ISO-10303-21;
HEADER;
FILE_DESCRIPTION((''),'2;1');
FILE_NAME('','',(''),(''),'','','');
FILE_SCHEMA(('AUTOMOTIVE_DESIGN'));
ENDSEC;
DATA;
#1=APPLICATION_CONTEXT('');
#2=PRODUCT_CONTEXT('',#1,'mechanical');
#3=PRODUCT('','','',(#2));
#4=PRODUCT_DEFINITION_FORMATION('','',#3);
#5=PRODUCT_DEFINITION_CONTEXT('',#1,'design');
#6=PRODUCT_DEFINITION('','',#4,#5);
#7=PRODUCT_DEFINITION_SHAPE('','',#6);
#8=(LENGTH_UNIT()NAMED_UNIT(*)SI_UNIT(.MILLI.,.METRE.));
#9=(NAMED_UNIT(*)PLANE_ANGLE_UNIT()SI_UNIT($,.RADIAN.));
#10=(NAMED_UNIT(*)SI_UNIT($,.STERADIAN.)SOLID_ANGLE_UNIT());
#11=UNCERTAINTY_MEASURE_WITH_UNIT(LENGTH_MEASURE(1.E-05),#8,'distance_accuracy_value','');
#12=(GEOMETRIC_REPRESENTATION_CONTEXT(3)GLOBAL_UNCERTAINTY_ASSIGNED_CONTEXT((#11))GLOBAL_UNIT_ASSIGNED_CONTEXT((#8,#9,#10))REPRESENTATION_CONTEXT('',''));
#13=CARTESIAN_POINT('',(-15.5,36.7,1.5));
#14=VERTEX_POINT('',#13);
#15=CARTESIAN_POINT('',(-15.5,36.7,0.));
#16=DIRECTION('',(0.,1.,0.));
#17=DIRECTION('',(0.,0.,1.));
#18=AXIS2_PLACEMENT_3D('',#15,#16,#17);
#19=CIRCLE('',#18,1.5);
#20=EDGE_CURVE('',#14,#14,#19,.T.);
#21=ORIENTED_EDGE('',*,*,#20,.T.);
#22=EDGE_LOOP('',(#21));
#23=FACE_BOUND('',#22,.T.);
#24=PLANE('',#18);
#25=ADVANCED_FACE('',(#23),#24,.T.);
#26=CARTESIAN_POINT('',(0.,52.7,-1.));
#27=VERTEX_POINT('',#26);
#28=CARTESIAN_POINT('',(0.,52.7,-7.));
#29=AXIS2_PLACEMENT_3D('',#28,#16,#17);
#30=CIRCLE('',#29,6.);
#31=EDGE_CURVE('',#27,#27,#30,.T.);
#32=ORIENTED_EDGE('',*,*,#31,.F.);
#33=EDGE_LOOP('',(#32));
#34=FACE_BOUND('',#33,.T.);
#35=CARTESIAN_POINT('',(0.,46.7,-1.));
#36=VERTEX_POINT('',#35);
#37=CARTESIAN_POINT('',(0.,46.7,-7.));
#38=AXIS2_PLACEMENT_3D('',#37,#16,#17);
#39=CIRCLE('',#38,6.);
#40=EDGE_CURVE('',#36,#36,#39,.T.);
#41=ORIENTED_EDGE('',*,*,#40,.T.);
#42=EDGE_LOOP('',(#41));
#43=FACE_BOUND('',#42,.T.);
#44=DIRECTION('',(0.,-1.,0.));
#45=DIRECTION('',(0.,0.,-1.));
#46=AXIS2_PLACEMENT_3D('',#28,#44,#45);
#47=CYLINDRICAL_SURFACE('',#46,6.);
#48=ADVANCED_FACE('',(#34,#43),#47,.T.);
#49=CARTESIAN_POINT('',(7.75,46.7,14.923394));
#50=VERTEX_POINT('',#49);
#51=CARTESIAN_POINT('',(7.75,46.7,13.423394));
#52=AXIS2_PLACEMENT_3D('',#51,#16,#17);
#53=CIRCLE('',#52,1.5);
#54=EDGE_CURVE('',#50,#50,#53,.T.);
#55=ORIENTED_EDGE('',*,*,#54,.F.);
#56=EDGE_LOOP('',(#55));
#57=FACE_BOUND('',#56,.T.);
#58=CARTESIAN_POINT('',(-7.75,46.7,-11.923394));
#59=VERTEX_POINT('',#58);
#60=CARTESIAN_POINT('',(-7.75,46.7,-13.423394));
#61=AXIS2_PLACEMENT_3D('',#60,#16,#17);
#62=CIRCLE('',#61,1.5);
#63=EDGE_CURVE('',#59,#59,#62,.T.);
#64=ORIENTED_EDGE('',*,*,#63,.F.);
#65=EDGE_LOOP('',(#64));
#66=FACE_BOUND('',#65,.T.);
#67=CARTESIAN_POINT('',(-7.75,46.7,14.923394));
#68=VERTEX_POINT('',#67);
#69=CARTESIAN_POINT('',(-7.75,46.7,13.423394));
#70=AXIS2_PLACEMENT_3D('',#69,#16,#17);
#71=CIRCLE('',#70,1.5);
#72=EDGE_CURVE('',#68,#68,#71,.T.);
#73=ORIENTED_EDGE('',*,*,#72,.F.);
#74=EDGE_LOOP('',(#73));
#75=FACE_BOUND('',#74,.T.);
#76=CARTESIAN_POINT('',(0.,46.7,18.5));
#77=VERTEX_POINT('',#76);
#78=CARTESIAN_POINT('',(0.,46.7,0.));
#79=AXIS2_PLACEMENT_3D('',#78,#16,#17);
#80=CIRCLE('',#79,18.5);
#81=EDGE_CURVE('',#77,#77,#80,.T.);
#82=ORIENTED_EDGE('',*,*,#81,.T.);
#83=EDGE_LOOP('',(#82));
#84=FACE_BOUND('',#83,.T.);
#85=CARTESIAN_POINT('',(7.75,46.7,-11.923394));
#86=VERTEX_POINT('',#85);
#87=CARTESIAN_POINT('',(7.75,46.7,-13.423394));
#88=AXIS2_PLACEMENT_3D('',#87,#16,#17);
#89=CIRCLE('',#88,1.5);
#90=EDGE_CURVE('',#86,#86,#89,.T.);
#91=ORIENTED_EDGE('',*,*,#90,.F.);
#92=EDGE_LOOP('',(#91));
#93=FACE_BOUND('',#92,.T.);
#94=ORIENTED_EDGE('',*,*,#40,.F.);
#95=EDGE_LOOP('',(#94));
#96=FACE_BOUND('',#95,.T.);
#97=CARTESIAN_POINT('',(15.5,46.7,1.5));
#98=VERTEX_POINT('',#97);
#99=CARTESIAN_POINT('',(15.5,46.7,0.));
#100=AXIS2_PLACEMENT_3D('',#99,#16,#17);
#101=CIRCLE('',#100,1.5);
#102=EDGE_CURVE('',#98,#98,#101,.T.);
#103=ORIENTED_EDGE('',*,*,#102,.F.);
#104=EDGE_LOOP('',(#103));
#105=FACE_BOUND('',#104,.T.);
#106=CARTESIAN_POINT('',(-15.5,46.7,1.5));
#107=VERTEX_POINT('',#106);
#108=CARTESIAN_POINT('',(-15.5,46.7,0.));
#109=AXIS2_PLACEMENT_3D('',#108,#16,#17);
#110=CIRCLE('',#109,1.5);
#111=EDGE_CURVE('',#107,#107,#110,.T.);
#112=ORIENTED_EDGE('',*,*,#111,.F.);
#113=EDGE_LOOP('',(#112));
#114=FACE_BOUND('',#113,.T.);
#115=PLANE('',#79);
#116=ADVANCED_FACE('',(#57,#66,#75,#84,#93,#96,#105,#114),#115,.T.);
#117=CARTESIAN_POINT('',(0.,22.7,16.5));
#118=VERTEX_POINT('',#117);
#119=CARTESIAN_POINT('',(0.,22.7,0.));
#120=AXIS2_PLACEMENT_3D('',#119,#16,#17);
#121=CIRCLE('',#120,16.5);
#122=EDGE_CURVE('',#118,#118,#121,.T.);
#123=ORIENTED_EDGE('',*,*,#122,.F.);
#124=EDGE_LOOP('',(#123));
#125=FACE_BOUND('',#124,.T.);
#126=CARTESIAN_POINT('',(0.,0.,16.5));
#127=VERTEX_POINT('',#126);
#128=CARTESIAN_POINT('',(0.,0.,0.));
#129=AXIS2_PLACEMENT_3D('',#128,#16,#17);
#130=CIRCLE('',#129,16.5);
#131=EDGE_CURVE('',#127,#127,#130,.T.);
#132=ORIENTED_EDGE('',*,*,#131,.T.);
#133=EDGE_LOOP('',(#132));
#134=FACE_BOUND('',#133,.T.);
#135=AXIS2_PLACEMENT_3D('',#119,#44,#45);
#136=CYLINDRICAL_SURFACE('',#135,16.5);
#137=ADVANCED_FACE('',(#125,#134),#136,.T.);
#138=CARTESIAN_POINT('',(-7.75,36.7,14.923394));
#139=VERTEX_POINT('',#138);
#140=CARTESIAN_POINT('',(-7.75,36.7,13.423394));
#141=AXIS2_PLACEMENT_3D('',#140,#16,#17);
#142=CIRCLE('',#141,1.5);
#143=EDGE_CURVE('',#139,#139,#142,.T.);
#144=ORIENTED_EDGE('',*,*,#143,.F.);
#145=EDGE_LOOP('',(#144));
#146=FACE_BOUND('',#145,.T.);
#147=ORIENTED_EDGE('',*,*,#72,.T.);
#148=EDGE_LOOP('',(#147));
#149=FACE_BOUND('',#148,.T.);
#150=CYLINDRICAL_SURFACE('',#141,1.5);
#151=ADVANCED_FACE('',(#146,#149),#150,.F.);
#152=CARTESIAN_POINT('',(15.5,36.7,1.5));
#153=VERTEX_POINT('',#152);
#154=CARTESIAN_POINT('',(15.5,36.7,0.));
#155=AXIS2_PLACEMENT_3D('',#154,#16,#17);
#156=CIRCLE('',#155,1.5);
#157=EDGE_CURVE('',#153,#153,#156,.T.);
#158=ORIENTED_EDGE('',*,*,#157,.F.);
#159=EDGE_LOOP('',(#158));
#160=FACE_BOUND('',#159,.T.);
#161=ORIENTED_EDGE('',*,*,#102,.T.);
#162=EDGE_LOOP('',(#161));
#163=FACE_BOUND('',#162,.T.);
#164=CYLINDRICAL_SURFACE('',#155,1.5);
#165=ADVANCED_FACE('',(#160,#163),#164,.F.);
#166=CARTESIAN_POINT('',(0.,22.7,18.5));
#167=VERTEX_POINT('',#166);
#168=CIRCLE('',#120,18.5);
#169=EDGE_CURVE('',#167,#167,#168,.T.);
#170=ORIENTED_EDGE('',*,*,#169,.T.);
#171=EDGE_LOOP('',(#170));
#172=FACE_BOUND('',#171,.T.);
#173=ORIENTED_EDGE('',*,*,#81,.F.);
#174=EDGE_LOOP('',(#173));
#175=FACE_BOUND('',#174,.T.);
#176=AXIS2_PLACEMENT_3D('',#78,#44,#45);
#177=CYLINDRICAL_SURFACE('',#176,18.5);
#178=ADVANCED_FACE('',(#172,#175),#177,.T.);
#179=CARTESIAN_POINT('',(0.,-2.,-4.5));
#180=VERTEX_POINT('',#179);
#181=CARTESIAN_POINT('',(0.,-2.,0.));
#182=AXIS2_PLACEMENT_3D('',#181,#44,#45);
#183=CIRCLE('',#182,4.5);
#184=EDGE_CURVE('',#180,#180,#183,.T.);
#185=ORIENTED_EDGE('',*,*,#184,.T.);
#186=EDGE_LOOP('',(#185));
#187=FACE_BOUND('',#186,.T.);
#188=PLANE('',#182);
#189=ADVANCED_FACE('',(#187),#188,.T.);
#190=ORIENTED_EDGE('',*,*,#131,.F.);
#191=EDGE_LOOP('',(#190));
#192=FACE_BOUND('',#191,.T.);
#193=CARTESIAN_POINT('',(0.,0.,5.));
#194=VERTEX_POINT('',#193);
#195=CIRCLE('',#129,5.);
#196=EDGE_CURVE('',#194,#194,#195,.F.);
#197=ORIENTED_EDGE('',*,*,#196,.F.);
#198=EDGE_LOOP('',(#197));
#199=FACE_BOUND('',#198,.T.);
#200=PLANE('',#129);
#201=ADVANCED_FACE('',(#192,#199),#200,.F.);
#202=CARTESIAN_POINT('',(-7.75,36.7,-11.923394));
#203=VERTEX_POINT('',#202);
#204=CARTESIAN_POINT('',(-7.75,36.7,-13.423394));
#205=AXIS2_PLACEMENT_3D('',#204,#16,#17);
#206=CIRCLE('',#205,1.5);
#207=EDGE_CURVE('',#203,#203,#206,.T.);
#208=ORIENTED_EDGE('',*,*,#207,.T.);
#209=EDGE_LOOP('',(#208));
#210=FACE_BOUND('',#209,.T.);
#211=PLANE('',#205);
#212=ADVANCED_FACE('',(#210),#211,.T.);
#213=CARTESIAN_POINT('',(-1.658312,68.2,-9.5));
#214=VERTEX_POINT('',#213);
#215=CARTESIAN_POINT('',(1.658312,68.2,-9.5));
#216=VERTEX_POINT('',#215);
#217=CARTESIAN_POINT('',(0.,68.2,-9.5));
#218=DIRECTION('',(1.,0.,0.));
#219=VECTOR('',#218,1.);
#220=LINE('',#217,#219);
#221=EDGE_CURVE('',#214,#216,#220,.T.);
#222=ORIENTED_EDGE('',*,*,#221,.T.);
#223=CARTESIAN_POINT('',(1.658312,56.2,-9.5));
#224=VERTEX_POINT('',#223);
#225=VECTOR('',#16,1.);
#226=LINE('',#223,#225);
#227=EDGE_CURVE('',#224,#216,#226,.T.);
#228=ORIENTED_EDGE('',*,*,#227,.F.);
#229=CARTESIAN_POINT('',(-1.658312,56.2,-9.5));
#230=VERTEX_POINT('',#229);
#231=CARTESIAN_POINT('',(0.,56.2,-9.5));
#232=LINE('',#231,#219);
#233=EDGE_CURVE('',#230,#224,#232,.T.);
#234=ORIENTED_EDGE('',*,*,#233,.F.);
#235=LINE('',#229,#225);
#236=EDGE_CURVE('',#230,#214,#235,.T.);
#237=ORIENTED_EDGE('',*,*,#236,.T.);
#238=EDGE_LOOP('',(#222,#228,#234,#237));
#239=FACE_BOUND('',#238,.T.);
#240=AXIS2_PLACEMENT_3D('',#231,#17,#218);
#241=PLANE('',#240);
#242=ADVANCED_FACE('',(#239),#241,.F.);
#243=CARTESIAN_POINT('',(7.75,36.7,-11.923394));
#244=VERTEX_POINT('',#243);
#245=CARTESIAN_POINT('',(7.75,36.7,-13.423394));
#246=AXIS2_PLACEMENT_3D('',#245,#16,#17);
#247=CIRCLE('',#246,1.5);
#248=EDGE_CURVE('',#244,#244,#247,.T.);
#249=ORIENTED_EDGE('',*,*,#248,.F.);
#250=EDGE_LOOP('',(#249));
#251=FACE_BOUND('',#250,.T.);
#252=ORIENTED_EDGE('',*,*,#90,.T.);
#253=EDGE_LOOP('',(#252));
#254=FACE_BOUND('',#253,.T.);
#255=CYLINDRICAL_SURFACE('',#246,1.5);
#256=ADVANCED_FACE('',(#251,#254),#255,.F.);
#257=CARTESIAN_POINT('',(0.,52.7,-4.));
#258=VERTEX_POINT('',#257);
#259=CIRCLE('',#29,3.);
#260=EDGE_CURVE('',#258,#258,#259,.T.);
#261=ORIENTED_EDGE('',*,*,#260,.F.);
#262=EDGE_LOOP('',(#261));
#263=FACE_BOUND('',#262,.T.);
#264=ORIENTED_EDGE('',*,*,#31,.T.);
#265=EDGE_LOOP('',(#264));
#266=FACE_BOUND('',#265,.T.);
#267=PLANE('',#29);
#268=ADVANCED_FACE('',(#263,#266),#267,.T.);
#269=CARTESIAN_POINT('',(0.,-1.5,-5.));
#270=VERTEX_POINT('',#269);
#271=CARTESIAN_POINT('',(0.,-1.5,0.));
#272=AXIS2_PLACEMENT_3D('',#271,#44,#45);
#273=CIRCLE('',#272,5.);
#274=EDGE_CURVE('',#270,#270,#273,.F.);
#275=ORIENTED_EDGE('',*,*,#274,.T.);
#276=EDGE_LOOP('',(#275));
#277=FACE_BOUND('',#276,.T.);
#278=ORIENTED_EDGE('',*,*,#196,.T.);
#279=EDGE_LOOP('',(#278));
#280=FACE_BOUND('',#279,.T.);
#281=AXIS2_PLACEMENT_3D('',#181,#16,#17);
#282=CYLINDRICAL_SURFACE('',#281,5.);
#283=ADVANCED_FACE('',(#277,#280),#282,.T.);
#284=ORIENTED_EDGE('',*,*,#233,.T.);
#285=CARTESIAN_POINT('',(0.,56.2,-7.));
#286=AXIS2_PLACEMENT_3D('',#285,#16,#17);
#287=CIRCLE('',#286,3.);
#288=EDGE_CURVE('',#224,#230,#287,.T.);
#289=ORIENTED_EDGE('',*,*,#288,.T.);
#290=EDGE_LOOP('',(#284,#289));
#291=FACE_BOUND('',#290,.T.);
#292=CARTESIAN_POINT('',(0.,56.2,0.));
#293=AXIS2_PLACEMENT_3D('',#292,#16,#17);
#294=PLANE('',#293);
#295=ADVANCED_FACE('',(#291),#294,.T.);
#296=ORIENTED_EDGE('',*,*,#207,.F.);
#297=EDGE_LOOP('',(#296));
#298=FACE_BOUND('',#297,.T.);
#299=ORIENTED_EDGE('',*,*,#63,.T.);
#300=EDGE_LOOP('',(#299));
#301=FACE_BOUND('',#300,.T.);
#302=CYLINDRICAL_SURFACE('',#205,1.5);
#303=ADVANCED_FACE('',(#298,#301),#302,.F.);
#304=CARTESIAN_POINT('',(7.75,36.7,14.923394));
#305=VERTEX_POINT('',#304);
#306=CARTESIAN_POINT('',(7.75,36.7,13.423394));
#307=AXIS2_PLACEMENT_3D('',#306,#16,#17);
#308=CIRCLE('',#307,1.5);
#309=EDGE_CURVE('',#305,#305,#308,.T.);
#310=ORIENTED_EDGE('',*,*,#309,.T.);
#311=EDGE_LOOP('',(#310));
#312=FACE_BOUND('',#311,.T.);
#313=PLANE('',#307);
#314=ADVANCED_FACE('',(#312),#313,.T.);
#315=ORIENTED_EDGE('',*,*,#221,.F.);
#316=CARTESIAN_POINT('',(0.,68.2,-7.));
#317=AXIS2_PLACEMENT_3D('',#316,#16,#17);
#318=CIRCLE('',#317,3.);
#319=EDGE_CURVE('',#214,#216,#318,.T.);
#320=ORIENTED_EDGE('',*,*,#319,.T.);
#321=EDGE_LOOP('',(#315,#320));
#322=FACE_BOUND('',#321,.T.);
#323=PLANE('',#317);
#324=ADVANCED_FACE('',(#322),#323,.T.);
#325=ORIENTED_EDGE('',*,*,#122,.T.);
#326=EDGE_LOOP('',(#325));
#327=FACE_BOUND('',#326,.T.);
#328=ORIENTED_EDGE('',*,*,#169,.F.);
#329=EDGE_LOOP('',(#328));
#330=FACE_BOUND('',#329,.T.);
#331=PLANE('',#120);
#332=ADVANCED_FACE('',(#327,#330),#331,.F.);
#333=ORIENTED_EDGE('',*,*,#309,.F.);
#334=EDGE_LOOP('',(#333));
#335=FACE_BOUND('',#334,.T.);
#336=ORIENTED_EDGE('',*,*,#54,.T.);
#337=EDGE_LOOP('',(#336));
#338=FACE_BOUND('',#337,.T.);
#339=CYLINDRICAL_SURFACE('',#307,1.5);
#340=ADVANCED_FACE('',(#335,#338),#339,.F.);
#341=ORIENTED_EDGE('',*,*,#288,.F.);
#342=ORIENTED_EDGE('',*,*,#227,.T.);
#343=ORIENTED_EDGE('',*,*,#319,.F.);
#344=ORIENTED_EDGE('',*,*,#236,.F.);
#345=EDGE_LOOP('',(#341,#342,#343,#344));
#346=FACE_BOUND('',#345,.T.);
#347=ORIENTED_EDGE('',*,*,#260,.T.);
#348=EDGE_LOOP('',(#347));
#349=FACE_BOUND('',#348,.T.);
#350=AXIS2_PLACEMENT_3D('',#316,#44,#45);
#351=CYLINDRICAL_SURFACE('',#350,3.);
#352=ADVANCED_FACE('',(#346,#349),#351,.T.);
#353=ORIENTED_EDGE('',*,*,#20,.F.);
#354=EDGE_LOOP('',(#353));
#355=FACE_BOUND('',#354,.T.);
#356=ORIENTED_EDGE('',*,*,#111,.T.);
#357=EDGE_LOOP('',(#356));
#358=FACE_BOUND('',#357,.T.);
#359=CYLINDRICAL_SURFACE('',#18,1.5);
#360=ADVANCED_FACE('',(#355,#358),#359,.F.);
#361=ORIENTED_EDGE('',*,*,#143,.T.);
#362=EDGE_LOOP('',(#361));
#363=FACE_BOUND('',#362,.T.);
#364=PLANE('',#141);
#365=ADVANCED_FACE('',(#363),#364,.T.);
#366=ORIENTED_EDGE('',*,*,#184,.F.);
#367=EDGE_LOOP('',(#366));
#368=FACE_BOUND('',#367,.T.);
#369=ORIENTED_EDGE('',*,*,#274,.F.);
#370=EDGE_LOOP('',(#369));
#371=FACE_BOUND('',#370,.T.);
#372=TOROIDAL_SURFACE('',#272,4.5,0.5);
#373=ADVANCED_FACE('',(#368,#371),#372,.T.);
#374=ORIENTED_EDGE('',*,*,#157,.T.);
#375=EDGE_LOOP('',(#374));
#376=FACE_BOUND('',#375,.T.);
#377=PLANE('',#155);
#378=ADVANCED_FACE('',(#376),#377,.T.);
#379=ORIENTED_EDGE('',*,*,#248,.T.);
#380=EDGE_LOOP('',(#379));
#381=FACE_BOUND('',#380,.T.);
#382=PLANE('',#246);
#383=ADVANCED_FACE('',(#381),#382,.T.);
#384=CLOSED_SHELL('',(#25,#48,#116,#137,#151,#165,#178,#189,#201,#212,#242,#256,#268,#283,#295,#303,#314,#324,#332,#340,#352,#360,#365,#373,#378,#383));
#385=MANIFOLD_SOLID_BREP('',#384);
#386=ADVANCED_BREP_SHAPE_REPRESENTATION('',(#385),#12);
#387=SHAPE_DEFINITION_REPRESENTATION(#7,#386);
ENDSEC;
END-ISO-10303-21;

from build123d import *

# Parameters (mm, degrees)
SKETCH_1_R          = 16.5
EXTRUDE_1_DEPTH     = 22.7
SKETCH_2_R          = 18.5
EXTRUDE_2_DEPTH     = 24
SKETCH_3_R          = 6
EXTRUDE_3_DEPTH     = 6
SKETCH_4_R          = 3
EXTRUDE_4_DEPTH     = 15.5
CUT_EXTRUDE_1_DEPTH = 12
SKETCH_6_R          = 1.5
CUT_EXTRUDE_2_DEPTH = 10
SKETCH_7_R          = 5
EXTRUDE_5_DEPTH     = 2
FILLET_1_R          = 0.5


with BuildPart() as part:
    # 草图1 → 凸台-拉伸1 (new body)
    with BuildSketch(Plane(origin=(0, 0, 0), x_dir=(1, 0, 0), z_dir=(0, 1, 0))):
        with Locations(Location((0, 0, 0), (0, 0, 270))):
            Circle(SKETCH_1_R)
    extrude(amount=EXTRUDE_1_DEPTH)

    # 草图2 → 凸台-拉伸2 (add)
    with BuildSketch(Plane(origin=(0, 22.7, 0), x_dir=(1, 0, 0), z_dir=(0, 1, 0))):
        with Locations(Location((0, 0, 0), (0, 0, 270))):
            Circle(SKETCH_2_R)
    extrude(amount=EXTRUDE_2_DEPTH)

    # 草图3 → 凸台-拉伸3 (add)
    with BuildSketch(Plane(origin=(0, 46.7, 0), x_dir=(1, 0, 0), z_dir=(0, 1, 0))):
        with Locations(Location((0, 7, 0), (0, 0, 270))):
            Circle(SKETCH_3_R)
    extrude(amount=EXTRUDE_3_DEPTH)

    # 草图4 → 凸台-拉伸4 (add)
    with BuildSketch(Plane(origin=(0, 52.7, 0), x_dir=(1, 0, 0), z_dir=(0, 1, 0))):
        with Locations(Location((0, 7, 0), (0, 0, 270))):
            Circle(SKETCH_4_R)
    extrude(amount=EXTRUDE_4_DEPTH)

    # 草图5 → 切除-拉伸1 (cut)
    with BuildSketch(Plane(origin=(0, 68.2, 0), x_dir=(1, 0, 0), z_dir=(0, 1, 0))):
        Polygon((-80.661429966, 9.5), (-1.658312395, 9.5), (1.658312395, 9.5), (80.661429966, 9.5), (80.661429966, 167.506235142), (-80.661429966, 167.506235142), align=None)
    extrude(amount=-CUT_EXTRUDE_1_DEPTH, mode=Mode.SUBTRACT)

    # 草图6 → 切除-拉伸2 (cut)
    with BuildSketch(Plane(origin=(0, 46.7, 0), x_dir=(1, 0, 0), z_dir=(0, 1, 0))):
        with Locations(Location((15.5, 0, 0), (0, 0, 270))):
            Circle(SKETCH_6_R)
        with Locations(Location((7.75, -13.423393759, 0), (0, 0, 270))):
            Circle(SKETCH_6_R)
        with Locations(Location((-7.75, -13.423393759, 0), (0, 0, 270))):
            Circle(SKETCH_6_R)
        with Locations(Location((-15.5, 0, 0), (0, 0, 270))):
            Circle(SKETCH_6_R)
        with Locations(Location((-7.75, 13.423393759, 0), (0, 0, 270))):
            Circle(SKETCH_6_R)
        with Locations(Location((7.75, 13.423393759, 0), (0, 0, 270))):
            Circle(SKETCH_6_R)
    extrude(amount=-CUT_EXTRUDE_2_DEPTH, mode=Mode.SUBTRACT)

    # 草图7 → 凸台-拉伸5 (add)
    with BuildSketch(Plane.XZ):
        with Locations(Location((0, 0, 0), (0, 0, 90))):
            Circle(SKETCH_7_R)
    extrude(amount=EXTRUDE_5_DEPTH)

    # 圆角1
    fillet_1_edges = [part.edges().sort_by_distance(p)[0] for p in [
        (0, -2, -5),
    ]]
    fillet(fillet_1_edges, radius=FILLET_1_R)


solid = part.part
